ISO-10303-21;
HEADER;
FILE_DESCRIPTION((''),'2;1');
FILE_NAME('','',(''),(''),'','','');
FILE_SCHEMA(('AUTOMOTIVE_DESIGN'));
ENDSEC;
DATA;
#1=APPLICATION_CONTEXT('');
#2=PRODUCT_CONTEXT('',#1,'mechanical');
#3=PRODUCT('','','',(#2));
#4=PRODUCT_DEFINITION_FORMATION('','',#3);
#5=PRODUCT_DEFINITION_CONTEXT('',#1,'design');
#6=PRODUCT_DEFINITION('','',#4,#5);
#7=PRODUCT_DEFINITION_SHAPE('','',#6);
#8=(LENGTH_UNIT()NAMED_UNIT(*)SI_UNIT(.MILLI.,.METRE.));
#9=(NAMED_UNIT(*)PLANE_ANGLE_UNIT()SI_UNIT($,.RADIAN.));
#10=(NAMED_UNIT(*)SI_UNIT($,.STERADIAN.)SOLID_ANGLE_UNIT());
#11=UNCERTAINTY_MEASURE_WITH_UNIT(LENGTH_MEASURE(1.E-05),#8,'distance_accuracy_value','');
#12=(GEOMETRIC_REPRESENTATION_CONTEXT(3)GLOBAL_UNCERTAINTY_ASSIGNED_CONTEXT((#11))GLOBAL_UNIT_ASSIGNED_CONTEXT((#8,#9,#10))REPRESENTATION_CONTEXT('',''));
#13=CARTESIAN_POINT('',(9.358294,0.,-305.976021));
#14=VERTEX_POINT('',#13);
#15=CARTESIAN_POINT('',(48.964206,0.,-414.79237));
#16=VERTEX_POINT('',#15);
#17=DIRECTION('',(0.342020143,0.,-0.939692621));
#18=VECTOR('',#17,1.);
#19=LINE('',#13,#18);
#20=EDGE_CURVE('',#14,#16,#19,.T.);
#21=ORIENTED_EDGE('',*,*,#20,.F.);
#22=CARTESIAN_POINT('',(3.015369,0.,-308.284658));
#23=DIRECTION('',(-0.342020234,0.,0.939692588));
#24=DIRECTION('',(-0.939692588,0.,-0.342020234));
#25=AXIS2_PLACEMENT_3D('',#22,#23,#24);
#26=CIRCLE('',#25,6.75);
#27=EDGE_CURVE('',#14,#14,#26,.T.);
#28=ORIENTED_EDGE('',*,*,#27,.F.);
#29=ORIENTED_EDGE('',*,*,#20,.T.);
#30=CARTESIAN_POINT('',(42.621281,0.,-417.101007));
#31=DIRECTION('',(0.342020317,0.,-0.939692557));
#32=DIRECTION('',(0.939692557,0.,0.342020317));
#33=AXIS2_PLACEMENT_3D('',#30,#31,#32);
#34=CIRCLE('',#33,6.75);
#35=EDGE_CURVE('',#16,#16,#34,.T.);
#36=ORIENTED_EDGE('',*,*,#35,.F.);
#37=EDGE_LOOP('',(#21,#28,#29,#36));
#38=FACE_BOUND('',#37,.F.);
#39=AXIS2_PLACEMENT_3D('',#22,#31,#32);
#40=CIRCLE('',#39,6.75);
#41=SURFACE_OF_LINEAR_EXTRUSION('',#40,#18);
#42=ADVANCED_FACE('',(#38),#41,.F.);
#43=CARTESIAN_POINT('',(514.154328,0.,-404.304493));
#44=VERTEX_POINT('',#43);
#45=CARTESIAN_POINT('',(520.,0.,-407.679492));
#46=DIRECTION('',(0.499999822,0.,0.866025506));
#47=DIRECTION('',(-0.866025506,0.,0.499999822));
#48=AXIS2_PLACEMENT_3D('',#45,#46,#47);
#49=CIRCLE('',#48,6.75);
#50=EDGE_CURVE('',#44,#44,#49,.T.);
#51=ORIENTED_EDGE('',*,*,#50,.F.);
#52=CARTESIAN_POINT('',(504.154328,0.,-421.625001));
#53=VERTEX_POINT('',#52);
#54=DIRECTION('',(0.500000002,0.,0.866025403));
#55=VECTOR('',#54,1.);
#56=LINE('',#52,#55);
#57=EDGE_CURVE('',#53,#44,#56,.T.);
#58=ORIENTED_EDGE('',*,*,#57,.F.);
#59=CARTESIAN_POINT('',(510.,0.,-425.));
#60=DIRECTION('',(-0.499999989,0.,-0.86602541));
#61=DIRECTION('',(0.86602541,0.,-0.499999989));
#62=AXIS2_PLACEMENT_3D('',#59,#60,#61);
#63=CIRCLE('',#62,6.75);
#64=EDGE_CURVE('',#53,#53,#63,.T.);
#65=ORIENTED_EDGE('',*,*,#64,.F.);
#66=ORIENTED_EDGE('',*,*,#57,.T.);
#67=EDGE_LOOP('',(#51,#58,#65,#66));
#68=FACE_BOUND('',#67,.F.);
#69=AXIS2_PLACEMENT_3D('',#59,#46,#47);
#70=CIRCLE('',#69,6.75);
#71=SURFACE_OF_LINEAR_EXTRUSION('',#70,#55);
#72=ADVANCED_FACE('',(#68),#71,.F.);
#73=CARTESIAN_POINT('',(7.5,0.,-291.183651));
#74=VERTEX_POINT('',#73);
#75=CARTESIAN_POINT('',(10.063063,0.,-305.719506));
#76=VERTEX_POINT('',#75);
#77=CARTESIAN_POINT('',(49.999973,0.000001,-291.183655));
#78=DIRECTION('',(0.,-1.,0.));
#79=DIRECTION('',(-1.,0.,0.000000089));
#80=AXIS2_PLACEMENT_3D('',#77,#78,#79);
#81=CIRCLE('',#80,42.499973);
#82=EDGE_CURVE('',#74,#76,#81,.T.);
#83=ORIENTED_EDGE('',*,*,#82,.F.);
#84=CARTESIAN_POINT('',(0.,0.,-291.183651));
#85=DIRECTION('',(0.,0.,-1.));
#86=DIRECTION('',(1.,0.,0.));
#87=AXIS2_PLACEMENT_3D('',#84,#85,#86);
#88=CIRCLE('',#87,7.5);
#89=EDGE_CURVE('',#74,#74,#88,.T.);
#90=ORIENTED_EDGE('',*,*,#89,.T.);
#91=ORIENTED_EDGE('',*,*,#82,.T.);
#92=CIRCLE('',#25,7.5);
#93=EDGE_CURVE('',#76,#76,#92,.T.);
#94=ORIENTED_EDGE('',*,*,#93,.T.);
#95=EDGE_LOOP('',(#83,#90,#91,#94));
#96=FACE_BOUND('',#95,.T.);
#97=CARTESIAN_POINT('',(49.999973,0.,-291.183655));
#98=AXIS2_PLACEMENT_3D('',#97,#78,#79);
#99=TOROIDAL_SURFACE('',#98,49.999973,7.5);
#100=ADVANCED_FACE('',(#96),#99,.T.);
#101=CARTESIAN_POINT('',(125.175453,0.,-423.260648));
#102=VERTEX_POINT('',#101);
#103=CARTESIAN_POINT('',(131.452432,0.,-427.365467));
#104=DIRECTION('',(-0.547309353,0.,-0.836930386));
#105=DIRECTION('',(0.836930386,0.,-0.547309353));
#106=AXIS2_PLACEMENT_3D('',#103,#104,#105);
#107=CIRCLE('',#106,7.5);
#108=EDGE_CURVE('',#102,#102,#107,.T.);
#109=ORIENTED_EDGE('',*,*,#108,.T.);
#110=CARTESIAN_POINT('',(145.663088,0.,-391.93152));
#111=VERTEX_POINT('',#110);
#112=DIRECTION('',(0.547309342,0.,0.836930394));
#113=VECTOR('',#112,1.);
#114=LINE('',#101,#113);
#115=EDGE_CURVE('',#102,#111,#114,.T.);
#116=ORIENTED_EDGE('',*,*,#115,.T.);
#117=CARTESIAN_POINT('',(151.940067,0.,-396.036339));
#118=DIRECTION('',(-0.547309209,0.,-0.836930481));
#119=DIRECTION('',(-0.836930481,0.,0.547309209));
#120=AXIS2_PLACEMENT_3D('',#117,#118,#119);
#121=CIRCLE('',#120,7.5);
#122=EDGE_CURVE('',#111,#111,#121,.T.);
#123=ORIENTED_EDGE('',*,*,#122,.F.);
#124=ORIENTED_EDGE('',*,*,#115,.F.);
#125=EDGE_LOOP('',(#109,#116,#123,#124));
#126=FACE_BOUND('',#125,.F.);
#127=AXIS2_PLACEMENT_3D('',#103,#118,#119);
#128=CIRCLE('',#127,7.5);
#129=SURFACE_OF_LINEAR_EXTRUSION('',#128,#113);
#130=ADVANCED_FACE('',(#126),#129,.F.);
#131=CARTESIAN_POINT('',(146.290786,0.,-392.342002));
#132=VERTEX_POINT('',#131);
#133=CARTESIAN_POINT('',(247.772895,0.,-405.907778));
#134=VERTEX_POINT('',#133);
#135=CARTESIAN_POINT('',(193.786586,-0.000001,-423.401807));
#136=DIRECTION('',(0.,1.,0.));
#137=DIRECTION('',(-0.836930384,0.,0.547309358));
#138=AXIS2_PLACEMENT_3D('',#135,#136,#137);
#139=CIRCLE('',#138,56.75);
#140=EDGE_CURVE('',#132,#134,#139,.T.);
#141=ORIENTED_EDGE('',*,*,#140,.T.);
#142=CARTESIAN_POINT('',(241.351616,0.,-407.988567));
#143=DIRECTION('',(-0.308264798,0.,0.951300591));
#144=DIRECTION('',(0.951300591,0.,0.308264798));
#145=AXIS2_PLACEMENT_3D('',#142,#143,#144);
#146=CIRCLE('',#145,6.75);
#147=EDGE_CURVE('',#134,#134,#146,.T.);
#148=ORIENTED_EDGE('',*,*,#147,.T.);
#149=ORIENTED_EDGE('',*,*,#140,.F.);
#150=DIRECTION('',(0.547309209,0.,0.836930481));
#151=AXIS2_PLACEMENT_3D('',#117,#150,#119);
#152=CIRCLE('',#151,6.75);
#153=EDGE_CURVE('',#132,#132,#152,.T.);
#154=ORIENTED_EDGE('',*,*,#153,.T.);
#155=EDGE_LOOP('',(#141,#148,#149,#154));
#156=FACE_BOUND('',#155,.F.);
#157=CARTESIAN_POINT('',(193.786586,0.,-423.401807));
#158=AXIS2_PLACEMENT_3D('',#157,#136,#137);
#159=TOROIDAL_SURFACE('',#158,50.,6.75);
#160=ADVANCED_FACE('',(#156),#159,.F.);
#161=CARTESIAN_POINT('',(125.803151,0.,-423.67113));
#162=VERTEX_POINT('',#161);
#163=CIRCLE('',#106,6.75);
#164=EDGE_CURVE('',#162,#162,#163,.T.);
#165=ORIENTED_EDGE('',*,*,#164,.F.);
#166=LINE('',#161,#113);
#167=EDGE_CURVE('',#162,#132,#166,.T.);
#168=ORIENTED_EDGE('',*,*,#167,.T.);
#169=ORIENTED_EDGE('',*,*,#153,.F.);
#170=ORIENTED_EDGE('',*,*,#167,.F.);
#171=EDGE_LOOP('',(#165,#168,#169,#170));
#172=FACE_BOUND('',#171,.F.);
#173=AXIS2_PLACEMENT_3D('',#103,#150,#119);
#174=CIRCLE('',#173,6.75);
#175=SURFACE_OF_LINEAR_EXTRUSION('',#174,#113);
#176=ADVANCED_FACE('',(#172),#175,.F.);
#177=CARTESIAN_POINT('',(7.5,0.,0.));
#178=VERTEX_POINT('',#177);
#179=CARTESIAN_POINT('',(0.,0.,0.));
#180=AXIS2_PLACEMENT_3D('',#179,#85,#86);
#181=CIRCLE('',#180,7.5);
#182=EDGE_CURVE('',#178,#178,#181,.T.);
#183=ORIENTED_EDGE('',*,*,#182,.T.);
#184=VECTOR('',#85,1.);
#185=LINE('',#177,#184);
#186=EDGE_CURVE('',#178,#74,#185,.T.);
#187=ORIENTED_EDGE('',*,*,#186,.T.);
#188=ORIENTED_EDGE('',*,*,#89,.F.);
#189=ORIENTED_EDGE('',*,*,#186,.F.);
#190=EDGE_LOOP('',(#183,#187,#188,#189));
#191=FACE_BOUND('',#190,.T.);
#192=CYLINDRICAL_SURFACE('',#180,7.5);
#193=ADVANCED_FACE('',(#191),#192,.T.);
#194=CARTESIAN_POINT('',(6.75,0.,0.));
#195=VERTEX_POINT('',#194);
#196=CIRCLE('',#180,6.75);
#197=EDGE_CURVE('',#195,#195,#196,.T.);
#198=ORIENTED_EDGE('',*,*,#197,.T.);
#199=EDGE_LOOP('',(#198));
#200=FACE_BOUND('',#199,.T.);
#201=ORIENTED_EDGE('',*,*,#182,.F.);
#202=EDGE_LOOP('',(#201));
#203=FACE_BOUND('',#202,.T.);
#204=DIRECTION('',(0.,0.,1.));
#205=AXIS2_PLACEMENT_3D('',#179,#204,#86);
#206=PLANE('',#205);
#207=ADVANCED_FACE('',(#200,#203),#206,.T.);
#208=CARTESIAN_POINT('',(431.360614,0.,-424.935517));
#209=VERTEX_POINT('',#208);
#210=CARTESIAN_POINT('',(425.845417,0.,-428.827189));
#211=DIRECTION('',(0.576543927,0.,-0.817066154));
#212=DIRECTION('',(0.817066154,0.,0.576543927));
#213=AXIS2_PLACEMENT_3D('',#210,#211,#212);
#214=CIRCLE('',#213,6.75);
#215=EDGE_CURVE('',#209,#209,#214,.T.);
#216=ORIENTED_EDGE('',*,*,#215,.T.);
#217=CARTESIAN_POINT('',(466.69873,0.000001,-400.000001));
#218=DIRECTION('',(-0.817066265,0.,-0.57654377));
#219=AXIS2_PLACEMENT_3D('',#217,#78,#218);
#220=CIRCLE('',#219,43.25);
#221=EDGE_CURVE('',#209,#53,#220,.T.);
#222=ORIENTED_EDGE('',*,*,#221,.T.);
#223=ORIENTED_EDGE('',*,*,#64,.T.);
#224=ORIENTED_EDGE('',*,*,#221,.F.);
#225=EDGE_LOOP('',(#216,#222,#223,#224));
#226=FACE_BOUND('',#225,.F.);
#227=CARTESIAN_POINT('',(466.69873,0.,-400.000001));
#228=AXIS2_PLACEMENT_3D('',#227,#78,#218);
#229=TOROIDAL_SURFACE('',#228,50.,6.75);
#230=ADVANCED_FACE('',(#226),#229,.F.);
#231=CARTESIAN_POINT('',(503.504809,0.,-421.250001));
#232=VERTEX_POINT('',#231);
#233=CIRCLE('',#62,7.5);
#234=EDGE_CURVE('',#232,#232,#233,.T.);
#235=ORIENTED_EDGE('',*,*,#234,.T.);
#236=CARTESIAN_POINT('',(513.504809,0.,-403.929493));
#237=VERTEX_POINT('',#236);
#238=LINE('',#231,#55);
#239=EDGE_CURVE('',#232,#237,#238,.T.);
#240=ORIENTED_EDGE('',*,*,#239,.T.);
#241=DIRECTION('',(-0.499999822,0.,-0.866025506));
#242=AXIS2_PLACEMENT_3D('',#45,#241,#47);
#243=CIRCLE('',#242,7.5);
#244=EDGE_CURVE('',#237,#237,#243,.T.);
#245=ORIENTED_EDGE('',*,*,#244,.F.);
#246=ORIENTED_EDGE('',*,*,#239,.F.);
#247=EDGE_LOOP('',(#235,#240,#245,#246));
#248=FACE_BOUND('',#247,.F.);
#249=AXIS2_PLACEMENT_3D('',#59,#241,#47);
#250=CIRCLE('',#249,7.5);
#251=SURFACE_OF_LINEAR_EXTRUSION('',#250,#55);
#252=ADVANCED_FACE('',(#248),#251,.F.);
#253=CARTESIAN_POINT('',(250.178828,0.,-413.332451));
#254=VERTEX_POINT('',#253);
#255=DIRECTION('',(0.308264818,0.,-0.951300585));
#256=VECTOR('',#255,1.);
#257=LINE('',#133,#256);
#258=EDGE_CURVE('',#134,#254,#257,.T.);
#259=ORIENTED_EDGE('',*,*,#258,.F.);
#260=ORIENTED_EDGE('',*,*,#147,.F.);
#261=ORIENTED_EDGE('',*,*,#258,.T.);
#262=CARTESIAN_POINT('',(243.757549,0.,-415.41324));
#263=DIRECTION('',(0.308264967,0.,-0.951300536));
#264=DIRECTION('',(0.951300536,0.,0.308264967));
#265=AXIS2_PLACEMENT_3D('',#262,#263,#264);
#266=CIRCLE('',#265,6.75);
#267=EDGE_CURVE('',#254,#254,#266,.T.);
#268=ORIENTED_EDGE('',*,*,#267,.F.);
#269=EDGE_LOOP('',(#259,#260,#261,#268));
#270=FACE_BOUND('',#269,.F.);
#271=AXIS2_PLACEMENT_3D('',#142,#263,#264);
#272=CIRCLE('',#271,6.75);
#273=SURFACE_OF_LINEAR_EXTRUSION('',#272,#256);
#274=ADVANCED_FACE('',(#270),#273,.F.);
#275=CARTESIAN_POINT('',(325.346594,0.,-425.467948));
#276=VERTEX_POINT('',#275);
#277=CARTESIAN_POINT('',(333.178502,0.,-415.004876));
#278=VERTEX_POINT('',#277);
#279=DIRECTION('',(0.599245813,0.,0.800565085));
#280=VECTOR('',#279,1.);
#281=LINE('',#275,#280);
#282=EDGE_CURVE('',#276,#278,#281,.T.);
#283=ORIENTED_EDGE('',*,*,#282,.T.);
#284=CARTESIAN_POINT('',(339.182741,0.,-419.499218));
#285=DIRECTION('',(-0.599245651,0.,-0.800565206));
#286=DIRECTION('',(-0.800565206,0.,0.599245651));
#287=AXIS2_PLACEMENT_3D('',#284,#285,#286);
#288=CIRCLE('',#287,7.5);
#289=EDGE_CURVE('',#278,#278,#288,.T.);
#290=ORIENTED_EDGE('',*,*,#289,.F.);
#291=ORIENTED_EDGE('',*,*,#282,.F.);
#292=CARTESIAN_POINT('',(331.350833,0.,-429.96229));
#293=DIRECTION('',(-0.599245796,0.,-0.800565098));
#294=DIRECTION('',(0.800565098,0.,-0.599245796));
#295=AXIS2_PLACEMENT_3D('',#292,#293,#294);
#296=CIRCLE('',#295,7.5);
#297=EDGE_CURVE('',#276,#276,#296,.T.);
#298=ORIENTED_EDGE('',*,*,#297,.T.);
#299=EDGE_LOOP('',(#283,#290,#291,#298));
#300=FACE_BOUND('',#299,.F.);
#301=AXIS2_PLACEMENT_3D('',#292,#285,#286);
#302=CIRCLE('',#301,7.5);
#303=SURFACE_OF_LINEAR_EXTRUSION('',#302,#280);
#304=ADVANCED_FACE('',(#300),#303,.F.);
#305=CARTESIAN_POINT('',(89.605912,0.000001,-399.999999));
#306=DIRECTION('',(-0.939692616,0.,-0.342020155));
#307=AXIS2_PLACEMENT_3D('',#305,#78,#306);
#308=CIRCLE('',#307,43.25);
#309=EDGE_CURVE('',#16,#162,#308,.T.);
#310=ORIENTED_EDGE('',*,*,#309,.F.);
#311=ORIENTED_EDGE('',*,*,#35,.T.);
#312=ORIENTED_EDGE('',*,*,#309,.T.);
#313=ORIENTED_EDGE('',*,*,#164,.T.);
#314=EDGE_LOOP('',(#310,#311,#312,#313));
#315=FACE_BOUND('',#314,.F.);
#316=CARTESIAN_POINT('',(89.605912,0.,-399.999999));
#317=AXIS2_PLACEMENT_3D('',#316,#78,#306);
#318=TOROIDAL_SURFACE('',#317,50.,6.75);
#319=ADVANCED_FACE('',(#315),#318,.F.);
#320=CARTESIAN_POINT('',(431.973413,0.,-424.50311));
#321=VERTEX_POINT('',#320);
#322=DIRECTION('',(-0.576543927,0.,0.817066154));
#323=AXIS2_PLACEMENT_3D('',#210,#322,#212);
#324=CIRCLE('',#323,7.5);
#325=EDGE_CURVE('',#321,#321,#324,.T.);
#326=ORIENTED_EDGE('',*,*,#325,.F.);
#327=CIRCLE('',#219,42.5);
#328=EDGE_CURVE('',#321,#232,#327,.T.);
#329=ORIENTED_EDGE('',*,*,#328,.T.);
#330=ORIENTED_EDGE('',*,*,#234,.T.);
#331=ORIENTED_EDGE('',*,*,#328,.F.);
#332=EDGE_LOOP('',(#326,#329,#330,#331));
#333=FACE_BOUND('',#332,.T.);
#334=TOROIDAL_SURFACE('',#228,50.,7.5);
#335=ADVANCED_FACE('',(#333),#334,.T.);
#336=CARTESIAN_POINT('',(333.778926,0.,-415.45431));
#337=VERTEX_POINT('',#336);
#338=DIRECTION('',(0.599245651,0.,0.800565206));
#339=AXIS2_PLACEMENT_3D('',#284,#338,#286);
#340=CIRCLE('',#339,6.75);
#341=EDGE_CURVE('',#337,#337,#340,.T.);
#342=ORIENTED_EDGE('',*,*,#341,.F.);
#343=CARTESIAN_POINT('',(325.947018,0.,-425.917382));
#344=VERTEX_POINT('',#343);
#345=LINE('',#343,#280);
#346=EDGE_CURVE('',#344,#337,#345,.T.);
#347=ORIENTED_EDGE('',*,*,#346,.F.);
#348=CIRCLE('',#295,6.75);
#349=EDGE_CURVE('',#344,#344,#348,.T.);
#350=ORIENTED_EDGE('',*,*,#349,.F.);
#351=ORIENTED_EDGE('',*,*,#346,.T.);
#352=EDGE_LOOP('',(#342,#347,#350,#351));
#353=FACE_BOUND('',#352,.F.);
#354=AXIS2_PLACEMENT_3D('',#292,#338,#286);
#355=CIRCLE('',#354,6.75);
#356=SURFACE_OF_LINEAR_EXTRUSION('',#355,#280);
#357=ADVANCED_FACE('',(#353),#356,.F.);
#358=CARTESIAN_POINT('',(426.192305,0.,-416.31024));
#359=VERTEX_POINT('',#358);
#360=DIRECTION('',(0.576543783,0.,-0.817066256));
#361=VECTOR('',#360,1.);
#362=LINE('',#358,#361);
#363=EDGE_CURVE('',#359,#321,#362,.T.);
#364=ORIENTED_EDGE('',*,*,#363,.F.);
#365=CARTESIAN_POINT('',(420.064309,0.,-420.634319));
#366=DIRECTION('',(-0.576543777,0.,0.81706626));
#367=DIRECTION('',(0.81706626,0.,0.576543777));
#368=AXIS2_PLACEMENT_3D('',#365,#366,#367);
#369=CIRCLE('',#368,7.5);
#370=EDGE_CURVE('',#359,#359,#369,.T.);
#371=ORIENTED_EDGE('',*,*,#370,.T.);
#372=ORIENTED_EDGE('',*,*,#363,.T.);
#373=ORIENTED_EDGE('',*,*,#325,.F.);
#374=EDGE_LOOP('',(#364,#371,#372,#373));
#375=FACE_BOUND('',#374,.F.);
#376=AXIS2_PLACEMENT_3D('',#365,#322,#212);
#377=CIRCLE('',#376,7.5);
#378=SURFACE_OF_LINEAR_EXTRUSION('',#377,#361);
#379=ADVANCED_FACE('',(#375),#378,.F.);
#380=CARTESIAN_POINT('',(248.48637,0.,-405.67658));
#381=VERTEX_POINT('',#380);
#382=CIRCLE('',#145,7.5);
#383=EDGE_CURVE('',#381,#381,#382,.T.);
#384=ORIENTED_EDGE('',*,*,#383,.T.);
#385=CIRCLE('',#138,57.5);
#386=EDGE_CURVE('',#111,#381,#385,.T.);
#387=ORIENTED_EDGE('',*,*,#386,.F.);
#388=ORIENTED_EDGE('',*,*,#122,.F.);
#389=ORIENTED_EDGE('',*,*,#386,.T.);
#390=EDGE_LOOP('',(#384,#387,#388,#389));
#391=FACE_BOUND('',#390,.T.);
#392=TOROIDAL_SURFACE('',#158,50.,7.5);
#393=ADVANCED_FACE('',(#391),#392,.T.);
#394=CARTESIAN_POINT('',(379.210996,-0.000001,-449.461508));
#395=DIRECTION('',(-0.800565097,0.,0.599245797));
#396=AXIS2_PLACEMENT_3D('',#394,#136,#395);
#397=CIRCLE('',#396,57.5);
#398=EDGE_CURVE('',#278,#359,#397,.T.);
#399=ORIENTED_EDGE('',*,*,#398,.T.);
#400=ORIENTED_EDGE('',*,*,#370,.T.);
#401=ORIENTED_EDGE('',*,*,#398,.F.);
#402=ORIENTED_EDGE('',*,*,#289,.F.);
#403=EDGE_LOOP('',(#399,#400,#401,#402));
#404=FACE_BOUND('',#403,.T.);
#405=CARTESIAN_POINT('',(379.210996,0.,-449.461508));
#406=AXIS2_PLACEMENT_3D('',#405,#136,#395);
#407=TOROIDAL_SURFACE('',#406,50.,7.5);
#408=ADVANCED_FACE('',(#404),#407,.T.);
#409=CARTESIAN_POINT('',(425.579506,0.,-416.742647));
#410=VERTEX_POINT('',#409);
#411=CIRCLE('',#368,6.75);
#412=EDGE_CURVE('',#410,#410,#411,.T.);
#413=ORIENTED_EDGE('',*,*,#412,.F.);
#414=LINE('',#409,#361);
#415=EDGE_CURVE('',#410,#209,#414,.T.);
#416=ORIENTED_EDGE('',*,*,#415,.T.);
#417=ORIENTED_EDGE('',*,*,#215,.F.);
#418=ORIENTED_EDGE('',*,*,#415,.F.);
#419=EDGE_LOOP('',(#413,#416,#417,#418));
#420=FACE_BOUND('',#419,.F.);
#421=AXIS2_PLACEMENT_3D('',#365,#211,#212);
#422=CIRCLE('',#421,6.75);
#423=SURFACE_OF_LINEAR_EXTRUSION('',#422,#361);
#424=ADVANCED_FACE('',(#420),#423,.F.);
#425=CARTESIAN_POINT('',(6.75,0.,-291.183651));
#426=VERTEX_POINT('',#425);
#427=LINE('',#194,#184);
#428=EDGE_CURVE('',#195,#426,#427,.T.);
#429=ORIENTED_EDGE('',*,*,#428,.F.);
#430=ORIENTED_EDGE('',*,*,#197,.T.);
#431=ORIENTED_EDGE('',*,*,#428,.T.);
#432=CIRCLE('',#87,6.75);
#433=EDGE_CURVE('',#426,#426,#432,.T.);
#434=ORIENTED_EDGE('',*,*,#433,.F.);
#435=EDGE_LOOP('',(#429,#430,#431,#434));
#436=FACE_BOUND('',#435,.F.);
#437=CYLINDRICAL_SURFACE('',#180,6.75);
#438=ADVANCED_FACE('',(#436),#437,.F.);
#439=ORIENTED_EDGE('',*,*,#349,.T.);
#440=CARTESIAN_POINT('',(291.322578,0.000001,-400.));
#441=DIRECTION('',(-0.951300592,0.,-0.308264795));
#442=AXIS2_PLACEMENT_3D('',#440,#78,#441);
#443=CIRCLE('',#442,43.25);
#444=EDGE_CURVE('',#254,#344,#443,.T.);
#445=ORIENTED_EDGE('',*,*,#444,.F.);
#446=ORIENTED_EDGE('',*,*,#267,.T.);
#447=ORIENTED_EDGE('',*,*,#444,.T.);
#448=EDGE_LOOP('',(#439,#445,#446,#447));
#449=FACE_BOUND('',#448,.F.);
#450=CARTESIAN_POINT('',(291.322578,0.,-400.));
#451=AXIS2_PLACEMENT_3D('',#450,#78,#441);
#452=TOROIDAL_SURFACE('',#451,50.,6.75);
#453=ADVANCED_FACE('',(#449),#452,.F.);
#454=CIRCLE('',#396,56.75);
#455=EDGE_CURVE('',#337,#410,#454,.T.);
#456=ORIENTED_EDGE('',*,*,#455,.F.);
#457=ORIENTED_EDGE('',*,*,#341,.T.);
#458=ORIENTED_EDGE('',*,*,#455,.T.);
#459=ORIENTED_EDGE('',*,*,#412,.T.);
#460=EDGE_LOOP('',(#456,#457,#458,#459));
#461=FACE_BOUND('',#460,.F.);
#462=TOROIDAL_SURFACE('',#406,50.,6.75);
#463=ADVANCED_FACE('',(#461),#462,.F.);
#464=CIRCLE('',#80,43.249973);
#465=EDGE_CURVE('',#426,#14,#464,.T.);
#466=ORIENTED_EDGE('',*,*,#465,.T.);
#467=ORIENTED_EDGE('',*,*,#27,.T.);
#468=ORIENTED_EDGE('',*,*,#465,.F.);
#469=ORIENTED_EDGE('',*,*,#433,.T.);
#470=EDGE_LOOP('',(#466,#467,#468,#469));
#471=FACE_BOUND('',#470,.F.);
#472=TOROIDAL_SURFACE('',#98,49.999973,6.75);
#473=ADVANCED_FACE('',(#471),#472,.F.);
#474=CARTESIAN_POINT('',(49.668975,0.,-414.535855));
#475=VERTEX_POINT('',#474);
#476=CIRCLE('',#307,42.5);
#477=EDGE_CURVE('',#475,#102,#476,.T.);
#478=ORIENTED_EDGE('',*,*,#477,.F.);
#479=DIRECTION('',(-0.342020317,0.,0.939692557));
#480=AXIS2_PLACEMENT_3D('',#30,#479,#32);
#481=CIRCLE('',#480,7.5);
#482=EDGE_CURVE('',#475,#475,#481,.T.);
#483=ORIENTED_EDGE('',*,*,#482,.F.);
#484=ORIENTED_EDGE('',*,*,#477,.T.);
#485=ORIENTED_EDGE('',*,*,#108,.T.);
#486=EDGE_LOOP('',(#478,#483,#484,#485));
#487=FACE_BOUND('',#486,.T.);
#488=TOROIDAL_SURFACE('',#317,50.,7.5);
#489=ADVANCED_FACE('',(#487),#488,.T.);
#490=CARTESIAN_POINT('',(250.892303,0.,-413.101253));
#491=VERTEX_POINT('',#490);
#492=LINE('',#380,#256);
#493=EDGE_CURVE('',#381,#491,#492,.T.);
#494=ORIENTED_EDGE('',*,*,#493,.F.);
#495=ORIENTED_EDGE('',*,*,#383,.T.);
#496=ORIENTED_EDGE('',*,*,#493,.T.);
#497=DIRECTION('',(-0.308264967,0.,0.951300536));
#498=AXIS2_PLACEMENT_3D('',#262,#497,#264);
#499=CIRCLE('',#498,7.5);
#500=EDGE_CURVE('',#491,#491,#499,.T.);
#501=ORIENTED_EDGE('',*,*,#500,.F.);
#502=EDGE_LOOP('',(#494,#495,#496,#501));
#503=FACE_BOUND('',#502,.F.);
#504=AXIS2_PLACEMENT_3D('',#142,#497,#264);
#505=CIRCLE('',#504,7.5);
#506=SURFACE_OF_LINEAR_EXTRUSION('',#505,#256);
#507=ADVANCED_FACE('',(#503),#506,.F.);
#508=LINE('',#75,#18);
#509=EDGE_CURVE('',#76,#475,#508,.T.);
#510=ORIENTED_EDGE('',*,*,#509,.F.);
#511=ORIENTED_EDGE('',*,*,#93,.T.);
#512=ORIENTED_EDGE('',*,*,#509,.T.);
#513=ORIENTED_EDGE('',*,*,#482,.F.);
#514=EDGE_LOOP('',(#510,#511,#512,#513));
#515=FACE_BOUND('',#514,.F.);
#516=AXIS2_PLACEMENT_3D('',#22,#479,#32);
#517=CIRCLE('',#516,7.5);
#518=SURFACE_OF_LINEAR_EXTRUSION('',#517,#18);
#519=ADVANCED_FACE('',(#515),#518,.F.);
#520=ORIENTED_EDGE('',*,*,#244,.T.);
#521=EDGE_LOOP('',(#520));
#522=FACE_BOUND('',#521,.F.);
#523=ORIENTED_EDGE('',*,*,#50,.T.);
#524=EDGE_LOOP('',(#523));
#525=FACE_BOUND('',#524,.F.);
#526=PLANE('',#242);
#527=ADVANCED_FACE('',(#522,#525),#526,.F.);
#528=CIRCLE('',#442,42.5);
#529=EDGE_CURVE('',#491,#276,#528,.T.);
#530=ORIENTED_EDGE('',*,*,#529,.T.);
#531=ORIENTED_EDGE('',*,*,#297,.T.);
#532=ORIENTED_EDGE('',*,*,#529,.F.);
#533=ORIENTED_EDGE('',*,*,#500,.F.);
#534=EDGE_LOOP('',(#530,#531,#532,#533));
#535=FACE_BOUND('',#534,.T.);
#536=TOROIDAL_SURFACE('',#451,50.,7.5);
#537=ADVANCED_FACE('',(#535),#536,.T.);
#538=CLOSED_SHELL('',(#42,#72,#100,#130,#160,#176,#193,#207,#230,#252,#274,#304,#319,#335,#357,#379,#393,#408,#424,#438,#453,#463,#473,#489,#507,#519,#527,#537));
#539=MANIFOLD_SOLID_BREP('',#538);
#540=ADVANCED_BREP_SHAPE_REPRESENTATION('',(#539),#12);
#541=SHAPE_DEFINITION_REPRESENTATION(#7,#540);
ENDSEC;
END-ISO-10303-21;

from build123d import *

# Parameters (mm, degrees)
F1_R   = 7.5
F1_R_2 = 6.75


with BuildPart() as f2:
    # F2: sweep along a path in F0
    with BuildLine(Plane.XZ) as f2_path:
        Line((0, 0), (0, -291.183651))
        ThreePointArc((0, -291.183651), (0.759612, -299.86606), (3.015369, -308.284658))
        Line((3.015369, -308.284658), (42.621281, -417.101007))
        ThreePointArc((42.621281, -417.101007), (83.866589, -449.669509), (131.452432, -427.365467))
        Line((131.452432, -427.365467), (151.940067, -396.036339))
        ThreePointArc((151.940067, -396.036339), (200.411485, -373.842643), (241.351616, -407.988567))
        Line((241.351616, -407.988567), (243.757549, -415.41324))
        ThreePointArc((243.757549, -415.41324), (283.129932, -449.324239), (331.350833, -429.96229))
        Line((331.350833, -429.96229), (339.182741, -419.499218))
        ThreePointArc((339.182741, -419.499218), (379.912632, -399.466431), (420.064309, -420.634319))
        Line((420.064309, -420.634319), (425.845417, -428.827189))
        ThreePointArc((425.845417, -428.827189), (468.970286, -449.948374), (510, -425))
        Line((510, -425), (520, -407.679492))
    # F1 (on Top) → F2 (sweep)
    with BuildSketch(Plane.XY):
        Circle(F1_R)
        Circle(F1_R_2, mode=Mode.SUBTRACT)
    sweep(path=f2_path.line)


solid = f2.part
